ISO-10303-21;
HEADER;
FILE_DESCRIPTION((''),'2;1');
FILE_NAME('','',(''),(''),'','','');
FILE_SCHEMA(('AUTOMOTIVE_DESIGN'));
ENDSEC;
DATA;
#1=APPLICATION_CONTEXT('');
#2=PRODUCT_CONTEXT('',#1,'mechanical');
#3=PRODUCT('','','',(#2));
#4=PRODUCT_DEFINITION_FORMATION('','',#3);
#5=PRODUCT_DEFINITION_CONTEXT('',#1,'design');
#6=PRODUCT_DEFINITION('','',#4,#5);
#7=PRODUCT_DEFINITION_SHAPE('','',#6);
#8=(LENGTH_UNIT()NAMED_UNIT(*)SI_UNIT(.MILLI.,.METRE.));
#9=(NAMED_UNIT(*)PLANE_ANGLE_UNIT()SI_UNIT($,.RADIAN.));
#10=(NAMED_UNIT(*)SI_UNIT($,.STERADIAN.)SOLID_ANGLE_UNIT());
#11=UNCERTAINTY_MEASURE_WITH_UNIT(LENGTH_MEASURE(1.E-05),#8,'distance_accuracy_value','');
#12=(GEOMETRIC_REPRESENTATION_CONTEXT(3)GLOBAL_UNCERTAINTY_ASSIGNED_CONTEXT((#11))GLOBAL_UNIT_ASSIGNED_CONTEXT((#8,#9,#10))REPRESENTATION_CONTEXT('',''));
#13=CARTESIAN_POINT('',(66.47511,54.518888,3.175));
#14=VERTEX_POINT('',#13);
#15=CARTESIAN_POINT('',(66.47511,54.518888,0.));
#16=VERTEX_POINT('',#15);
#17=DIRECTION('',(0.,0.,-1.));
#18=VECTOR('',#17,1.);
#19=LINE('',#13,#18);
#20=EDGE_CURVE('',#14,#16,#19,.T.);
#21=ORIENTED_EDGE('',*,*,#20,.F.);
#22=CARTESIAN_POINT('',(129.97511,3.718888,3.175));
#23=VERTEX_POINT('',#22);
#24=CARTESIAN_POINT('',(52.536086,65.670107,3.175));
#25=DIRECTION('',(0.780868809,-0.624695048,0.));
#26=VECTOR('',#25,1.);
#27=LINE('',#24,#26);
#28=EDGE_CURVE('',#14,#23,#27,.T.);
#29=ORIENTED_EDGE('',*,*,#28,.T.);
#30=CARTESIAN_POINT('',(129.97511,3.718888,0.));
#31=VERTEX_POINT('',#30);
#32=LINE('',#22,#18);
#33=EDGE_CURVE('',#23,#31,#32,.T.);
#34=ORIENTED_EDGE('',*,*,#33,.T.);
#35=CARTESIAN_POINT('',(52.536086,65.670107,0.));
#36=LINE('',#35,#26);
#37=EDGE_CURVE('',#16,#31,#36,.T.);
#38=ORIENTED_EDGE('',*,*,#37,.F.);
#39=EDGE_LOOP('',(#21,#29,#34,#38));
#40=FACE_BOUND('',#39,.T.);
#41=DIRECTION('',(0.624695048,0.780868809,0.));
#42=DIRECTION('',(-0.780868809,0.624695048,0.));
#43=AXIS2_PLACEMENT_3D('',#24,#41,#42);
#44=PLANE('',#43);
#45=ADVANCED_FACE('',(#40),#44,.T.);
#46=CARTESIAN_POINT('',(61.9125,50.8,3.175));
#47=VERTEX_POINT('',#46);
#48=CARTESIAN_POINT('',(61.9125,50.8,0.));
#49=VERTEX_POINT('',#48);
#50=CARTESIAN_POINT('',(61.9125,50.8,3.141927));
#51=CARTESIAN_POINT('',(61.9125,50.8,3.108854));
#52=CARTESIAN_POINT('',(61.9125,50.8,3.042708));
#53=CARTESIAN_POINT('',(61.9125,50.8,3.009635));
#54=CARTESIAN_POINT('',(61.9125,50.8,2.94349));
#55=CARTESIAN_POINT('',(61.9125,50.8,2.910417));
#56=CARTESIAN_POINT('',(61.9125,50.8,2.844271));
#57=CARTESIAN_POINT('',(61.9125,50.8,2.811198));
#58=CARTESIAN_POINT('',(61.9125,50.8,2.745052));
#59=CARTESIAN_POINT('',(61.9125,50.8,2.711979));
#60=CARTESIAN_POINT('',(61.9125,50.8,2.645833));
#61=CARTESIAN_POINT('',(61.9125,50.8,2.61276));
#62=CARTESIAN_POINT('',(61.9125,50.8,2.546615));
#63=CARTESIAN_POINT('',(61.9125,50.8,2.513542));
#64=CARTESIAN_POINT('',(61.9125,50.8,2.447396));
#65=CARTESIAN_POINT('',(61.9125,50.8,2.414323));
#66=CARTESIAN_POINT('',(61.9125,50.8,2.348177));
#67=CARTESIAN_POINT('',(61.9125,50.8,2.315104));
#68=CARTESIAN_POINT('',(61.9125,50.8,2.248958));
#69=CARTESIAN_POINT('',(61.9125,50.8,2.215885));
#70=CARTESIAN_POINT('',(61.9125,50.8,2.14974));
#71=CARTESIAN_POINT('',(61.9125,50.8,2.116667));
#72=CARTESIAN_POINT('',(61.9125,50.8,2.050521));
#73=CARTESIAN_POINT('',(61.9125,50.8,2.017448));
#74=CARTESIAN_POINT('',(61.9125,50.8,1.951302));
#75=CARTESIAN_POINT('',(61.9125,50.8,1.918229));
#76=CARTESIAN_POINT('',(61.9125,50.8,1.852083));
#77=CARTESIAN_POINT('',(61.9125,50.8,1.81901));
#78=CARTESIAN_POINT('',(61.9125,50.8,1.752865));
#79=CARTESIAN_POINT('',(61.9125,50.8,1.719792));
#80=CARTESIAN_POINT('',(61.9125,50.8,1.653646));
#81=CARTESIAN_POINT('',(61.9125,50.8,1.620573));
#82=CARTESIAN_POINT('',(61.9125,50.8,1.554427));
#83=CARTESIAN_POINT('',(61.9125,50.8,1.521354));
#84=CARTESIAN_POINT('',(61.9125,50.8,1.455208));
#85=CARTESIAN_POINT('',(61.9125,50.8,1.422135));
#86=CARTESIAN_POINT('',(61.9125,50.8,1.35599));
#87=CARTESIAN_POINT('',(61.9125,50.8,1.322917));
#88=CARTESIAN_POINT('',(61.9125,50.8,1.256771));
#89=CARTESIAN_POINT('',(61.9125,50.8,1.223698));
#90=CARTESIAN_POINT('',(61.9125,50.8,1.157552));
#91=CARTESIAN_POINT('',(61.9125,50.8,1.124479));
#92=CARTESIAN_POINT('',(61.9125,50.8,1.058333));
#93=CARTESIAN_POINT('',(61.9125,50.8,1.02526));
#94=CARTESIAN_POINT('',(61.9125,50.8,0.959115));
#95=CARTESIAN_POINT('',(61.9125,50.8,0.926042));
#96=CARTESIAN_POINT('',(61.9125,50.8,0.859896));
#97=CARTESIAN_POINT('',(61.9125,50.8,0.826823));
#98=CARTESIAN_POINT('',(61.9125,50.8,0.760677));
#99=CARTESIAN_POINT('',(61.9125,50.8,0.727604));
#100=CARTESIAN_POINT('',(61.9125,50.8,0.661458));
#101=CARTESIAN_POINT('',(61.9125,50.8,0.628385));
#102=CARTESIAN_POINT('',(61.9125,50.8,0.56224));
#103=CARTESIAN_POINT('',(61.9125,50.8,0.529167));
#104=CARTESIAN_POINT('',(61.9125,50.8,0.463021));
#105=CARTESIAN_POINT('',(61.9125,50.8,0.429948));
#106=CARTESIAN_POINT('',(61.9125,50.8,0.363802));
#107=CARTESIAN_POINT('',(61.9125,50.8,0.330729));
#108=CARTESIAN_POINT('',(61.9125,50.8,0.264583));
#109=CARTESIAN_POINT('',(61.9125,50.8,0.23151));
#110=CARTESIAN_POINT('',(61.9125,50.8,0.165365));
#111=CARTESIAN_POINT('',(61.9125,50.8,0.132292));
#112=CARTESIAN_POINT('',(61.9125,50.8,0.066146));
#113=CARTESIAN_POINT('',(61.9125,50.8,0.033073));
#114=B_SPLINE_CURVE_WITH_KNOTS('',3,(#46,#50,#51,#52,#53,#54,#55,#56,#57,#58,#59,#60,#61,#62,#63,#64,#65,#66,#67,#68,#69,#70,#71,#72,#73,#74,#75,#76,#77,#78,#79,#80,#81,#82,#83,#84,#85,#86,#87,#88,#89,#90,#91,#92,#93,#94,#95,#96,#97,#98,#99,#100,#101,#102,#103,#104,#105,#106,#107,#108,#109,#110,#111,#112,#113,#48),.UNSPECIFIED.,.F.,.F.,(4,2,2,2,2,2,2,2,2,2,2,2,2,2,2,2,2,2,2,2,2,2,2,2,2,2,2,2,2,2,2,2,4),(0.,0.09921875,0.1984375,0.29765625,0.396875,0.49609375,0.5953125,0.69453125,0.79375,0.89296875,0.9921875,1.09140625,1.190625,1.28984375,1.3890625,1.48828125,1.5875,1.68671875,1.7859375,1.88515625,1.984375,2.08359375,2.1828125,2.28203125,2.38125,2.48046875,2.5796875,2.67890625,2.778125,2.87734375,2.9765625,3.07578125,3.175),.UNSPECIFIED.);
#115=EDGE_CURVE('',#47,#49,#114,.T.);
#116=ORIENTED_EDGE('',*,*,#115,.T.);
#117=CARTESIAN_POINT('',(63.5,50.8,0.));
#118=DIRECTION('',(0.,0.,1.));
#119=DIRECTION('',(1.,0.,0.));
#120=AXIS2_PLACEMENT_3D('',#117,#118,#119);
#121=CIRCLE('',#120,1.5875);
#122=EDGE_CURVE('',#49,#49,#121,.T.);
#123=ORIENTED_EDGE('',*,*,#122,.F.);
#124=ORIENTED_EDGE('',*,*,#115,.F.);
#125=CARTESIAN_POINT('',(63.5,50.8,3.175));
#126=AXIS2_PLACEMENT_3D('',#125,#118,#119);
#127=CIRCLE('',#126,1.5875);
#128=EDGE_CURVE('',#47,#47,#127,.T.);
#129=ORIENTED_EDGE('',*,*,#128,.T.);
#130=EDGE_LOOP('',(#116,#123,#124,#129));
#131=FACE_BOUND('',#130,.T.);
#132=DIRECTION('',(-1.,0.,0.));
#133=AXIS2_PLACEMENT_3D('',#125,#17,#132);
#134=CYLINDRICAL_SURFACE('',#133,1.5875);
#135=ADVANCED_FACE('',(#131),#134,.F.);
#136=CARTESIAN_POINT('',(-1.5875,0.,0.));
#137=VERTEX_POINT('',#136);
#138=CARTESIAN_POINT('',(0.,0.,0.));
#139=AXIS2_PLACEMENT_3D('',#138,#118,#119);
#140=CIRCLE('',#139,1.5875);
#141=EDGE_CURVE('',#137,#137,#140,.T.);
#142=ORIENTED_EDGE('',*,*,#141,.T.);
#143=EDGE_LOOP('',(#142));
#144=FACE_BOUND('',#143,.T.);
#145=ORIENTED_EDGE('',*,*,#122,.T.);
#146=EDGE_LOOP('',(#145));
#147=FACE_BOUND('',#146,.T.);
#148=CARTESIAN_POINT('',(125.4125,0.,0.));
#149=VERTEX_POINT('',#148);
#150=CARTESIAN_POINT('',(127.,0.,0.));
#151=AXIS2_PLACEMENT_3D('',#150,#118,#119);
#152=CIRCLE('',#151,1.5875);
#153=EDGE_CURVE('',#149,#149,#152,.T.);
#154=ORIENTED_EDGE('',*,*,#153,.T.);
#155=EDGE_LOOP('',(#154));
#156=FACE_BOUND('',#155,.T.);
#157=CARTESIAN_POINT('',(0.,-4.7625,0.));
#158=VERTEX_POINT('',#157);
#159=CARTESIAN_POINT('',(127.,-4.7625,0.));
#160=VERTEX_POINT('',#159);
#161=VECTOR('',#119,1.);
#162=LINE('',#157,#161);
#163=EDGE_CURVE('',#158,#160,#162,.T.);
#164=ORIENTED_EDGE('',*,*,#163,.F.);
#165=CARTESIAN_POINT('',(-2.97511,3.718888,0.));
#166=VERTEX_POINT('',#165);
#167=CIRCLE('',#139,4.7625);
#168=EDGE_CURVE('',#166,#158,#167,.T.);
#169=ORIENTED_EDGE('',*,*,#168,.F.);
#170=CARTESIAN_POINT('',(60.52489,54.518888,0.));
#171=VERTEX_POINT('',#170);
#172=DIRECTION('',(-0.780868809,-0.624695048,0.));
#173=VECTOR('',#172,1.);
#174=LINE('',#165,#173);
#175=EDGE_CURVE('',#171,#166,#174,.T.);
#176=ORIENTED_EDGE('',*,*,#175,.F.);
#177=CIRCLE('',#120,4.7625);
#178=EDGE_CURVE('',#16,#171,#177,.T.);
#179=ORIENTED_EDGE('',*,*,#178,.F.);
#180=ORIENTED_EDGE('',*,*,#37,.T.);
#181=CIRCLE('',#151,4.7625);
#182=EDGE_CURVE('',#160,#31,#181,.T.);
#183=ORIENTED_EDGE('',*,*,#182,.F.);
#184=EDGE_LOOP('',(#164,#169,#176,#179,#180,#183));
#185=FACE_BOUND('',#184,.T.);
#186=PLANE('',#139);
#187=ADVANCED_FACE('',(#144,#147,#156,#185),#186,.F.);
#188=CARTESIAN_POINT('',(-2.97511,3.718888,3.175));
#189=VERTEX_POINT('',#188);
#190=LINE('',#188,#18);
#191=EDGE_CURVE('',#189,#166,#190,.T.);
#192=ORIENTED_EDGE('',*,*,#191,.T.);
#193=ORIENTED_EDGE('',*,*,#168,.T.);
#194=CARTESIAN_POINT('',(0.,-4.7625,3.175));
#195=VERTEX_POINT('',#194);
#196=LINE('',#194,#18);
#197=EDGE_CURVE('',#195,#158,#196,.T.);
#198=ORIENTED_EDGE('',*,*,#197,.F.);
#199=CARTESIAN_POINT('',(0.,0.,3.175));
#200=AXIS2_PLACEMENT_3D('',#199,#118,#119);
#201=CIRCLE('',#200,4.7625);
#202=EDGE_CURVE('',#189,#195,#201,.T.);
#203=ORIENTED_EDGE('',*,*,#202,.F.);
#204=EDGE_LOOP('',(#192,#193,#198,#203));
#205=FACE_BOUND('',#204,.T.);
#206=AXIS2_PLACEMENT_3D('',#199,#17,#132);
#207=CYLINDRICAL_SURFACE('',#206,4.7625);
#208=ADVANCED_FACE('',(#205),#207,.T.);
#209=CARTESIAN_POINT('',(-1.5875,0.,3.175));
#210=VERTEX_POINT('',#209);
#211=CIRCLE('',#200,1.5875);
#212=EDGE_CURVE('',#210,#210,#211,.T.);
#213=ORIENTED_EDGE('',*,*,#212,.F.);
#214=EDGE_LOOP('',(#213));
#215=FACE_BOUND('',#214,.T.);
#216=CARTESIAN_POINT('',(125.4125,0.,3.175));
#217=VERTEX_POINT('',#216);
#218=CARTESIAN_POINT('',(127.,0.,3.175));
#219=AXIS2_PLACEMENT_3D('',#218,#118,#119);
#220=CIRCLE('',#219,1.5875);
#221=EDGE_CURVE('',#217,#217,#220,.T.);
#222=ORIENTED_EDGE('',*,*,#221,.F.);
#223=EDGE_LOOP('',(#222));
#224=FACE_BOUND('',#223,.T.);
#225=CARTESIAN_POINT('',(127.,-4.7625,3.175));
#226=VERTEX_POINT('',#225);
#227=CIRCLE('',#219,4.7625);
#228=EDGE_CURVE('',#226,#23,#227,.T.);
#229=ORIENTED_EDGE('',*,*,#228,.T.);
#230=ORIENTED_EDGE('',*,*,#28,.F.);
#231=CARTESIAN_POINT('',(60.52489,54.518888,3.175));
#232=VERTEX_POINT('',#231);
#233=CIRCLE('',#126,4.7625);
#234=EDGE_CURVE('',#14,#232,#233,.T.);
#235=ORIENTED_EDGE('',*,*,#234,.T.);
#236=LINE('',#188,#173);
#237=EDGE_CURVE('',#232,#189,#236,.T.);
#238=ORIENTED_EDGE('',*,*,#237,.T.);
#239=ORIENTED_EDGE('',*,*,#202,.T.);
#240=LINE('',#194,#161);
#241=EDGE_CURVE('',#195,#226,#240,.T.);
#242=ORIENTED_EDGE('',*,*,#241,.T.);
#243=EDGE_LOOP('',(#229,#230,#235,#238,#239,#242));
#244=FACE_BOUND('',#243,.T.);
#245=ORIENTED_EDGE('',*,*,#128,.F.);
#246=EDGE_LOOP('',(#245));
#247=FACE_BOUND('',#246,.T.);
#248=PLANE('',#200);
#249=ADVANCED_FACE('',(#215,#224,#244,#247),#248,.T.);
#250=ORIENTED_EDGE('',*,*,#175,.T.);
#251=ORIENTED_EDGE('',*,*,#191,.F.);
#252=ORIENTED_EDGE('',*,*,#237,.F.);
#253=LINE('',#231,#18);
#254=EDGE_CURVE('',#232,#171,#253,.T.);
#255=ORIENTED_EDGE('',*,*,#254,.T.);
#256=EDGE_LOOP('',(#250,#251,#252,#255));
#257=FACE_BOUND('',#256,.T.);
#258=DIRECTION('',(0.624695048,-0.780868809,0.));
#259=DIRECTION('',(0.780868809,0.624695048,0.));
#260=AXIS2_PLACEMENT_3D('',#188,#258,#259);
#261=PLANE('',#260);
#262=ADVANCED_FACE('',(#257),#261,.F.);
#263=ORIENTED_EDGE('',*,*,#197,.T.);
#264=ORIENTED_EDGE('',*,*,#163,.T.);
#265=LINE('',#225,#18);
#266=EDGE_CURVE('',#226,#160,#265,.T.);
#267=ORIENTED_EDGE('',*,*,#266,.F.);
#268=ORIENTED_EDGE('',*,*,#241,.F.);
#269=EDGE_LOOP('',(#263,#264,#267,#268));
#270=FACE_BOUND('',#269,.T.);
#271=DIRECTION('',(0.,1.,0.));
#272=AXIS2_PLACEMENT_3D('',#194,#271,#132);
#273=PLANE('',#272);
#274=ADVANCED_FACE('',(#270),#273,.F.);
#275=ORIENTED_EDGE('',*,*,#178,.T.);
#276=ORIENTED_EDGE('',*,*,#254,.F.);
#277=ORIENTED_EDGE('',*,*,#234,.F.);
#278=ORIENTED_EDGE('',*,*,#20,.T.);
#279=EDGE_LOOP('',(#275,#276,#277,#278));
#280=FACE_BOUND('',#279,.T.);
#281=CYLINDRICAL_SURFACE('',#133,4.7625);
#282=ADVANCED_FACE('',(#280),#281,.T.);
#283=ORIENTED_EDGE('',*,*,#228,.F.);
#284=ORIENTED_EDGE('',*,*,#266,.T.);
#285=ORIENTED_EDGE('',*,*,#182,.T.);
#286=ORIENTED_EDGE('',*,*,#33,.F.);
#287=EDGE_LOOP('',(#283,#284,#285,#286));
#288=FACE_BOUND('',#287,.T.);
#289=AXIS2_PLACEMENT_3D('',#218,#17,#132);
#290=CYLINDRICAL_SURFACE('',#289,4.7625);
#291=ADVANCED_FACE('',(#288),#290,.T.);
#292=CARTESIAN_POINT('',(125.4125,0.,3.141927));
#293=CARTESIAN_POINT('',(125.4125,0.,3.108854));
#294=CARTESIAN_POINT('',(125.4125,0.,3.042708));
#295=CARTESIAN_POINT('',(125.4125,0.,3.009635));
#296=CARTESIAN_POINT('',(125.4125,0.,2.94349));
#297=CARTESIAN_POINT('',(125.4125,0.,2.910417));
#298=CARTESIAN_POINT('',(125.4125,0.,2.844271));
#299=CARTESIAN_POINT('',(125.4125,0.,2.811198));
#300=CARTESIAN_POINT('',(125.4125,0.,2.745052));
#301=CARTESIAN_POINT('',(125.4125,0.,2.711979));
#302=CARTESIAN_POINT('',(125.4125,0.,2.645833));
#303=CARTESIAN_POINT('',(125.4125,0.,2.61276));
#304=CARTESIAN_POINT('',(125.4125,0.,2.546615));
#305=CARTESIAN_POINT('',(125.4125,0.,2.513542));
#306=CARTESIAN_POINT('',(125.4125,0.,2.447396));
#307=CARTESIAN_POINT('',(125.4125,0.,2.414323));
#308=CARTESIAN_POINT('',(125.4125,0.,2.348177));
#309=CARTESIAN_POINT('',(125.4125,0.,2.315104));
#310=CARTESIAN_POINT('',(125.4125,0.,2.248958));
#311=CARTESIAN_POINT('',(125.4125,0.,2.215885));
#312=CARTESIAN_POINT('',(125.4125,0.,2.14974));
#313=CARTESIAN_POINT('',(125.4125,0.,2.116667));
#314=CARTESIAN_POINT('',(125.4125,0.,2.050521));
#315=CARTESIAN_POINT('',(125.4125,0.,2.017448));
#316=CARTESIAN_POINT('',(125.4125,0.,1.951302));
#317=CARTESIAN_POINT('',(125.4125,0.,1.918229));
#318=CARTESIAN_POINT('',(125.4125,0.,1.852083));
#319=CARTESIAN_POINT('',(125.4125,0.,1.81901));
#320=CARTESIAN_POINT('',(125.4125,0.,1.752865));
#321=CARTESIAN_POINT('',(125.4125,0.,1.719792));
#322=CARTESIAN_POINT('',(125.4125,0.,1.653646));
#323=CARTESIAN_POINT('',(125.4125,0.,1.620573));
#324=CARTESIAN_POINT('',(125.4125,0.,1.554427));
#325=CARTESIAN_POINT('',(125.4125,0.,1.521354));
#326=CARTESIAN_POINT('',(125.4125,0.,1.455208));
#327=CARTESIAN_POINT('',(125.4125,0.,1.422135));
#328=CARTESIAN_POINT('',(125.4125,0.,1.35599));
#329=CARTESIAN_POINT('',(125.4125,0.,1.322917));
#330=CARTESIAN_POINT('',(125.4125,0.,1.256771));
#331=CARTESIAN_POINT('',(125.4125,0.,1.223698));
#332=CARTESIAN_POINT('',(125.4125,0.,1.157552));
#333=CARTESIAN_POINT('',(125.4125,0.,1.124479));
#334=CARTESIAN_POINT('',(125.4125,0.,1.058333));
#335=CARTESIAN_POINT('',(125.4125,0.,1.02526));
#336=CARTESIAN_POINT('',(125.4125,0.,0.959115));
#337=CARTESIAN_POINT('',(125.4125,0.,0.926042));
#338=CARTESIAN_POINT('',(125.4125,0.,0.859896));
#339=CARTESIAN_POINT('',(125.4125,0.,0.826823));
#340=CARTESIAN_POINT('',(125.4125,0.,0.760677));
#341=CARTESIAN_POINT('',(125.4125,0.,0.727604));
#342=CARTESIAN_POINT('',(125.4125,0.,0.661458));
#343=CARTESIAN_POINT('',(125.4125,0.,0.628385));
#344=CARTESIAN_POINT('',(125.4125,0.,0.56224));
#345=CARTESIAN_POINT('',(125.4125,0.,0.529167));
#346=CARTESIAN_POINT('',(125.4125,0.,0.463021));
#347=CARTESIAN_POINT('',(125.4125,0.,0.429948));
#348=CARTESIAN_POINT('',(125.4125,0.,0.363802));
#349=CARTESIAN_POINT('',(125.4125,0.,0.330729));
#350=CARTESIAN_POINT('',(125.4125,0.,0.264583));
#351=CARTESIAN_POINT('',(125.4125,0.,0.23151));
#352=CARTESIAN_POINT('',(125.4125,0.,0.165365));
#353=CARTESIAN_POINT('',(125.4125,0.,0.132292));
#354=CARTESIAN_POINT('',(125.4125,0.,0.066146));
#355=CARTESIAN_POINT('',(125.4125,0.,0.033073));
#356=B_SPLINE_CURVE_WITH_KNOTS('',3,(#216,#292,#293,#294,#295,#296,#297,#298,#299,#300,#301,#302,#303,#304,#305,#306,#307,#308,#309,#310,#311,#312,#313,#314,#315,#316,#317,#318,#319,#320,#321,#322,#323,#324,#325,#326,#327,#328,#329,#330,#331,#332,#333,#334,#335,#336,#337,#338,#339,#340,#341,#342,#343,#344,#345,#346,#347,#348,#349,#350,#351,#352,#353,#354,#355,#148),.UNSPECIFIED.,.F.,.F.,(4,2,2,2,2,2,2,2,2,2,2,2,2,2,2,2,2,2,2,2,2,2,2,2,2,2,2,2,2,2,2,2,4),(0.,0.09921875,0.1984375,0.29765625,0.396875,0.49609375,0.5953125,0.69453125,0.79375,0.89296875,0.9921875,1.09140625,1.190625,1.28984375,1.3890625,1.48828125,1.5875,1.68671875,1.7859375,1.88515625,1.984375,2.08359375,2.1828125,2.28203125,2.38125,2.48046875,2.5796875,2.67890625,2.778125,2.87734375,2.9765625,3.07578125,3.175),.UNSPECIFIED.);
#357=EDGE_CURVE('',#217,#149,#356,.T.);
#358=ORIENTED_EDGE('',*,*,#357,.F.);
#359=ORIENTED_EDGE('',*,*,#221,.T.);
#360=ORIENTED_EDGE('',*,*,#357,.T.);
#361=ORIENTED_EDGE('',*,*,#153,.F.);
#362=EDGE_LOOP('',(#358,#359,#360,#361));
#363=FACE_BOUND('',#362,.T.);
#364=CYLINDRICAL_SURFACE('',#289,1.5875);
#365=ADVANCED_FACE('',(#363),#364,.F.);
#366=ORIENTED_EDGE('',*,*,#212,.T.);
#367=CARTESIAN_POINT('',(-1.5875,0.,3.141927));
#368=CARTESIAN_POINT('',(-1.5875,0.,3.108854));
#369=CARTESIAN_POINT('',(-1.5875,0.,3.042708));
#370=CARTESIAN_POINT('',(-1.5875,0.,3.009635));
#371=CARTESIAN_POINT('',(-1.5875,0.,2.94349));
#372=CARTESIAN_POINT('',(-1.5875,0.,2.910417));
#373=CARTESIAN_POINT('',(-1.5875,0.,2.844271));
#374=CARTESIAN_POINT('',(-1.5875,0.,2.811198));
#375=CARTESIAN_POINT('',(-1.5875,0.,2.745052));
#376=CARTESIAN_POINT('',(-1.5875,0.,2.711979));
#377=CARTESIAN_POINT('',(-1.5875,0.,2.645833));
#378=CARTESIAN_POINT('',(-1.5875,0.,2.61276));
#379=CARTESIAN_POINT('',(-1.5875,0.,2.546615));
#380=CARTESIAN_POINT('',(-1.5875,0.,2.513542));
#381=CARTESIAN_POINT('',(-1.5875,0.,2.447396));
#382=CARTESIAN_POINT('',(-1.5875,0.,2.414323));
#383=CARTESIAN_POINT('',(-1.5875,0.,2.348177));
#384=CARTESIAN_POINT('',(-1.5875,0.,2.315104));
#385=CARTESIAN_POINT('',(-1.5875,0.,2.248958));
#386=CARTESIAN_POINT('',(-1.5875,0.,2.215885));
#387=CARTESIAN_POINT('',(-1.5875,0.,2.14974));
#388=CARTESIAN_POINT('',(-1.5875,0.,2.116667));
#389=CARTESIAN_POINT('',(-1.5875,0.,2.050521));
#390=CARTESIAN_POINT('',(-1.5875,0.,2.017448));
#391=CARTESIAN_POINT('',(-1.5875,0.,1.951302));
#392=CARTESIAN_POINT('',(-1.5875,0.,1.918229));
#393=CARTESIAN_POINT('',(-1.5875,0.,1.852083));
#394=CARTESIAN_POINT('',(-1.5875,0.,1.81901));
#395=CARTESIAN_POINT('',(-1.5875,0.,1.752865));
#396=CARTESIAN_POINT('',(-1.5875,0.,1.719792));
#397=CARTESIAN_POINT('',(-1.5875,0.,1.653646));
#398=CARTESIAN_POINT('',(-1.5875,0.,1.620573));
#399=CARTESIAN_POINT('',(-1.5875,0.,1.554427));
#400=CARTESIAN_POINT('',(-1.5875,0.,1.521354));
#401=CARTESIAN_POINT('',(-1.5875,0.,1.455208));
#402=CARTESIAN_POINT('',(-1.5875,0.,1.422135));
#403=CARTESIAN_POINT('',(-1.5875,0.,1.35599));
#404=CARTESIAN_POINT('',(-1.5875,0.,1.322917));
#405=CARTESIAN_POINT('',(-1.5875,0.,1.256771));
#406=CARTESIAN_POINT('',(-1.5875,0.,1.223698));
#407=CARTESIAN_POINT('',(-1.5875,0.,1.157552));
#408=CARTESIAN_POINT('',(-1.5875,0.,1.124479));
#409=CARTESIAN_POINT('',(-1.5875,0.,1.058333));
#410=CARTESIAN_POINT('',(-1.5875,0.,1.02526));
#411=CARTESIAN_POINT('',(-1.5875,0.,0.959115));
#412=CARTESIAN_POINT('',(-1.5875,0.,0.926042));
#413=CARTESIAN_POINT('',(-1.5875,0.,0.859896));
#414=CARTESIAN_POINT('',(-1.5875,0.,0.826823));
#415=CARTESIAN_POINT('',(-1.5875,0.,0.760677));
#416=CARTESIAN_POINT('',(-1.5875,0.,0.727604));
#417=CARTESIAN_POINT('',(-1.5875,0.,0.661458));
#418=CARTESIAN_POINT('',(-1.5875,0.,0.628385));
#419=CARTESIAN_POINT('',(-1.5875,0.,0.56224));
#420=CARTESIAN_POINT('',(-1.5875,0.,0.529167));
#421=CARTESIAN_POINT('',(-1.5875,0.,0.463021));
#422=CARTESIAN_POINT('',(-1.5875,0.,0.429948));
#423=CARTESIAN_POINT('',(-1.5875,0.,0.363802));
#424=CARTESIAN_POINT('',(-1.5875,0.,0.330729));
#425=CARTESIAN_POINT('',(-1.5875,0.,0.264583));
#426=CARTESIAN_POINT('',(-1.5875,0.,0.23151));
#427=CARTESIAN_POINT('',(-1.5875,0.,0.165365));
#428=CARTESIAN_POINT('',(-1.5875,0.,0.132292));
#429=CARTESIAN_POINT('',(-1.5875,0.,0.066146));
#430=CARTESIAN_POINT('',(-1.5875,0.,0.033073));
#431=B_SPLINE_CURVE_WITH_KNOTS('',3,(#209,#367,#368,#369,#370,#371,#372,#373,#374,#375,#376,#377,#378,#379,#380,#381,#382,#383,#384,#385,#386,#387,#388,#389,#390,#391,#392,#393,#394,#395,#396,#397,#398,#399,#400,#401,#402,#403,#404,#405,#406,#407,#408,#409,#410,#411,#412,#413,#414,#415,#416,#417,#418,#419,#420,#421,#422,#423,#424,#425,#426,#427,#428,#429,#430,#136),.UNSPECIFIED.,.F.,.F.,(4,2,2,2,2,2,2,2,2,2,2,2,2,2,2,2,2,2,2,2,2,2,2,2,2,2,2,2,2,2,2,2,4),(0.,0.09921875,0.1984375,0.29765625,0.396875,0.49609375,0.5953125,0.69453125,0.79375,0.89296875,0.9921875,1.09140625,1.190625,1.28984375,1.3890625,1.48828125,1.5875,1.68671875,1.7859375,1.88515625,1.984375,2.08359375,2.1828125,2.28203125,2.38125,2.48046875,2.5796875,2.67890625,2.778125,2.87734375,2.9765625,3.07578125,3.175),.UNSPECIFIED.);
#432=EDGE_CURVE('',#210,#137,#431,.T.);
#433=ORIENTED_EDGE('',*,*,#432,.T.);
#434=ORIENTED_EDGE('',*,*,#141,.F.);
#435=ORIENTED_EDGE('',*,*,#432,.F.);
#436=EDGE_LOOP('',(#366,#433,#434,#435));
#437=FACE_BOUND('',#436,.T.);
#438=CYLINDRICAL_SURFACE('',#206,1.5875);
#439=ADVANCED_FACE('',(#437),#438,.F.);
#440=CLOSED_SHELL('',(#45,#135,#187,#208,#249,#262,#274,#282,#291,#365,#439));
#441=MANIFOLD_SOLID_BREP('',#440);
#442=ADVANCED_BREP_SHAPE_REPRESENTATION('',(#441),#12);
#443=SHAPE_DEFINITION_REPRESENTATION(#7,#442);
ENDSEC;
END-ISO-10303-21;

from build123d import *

# Parameters (mm, degrees)
SKETCH1_R           = 4.7625
SKETCH1_R_2         = 1.5875
BOSS_EXTRUDE1_DEPTH = 3.175


with BuildPart() as part:
    # Sketch1 → Boss-Extrude1 (new body)
    # profile 1 of 4: a face of its own
    with BuildSketch(Plane.XY):
        with BuildLine():
            ThreePointArc((68.2625, 50.8), (61.436938671, 46.507543337), (60.524889836, 54.518887705))
            Line((60.524889836, 54.518887705), (-2.975110164, 3.718887705))
            ThreePointArc((-2.975110164, 3.718887705), (2.063061329, 4.292456663), (4.7625, 0))
            ThreePointArc((4.7625, 0), (3.367596045, -3.367596045), (0, -4.7625))
            Line((0, -4.7625), (127, -4.7625))
            ThreePointArc((127, -4.7625), (122.50597013, 1.576420559), (129.975110164, 3.718887705))
            Line((129.975110164, 3.718887705), (66.475110164, 54.518887705))
            ThreePointArc((66.475110164, 54.518887705), (67.792456663, 52.863061329), (68.2625, 50.8))
        make_face()
    # profile 2 of 4: a face of its own
    with BuildSketch(Plane.XY):
        Circle(SKETCH1_R)
        with Locations(Location((0, 0, 0), (0, 0, 180))):
            Circle(SKETCH1_R_2, mode=Mode.SUBTRACT)
    # profile 3 of 4: a face of its own
    with BuildSketch(Plane.XY):
        with Locations((63.5, 50.8)):
            Circle(SKETCH1_R)
        with Locations(Location((63.5, 50.8, 0), (0, 0, 180))):
            Circle(SKETCH1_R_2, mode=Mode.SUBTRACT)
    # profile 4 of 4: a face of its own
    with BuildSketch(Plane.XY):
        with Locations((127, 0)):
            Circle(SKETCH1_R)
        with Locations(Location((127, 0, 0), (0, 0, 180))):
            Circle(SKETCH1_R_2, mode=Mode.SUBTRACT)
    extrude(amount=BOSS_EXTRUDE1_DEPTH)


solid = part.part
